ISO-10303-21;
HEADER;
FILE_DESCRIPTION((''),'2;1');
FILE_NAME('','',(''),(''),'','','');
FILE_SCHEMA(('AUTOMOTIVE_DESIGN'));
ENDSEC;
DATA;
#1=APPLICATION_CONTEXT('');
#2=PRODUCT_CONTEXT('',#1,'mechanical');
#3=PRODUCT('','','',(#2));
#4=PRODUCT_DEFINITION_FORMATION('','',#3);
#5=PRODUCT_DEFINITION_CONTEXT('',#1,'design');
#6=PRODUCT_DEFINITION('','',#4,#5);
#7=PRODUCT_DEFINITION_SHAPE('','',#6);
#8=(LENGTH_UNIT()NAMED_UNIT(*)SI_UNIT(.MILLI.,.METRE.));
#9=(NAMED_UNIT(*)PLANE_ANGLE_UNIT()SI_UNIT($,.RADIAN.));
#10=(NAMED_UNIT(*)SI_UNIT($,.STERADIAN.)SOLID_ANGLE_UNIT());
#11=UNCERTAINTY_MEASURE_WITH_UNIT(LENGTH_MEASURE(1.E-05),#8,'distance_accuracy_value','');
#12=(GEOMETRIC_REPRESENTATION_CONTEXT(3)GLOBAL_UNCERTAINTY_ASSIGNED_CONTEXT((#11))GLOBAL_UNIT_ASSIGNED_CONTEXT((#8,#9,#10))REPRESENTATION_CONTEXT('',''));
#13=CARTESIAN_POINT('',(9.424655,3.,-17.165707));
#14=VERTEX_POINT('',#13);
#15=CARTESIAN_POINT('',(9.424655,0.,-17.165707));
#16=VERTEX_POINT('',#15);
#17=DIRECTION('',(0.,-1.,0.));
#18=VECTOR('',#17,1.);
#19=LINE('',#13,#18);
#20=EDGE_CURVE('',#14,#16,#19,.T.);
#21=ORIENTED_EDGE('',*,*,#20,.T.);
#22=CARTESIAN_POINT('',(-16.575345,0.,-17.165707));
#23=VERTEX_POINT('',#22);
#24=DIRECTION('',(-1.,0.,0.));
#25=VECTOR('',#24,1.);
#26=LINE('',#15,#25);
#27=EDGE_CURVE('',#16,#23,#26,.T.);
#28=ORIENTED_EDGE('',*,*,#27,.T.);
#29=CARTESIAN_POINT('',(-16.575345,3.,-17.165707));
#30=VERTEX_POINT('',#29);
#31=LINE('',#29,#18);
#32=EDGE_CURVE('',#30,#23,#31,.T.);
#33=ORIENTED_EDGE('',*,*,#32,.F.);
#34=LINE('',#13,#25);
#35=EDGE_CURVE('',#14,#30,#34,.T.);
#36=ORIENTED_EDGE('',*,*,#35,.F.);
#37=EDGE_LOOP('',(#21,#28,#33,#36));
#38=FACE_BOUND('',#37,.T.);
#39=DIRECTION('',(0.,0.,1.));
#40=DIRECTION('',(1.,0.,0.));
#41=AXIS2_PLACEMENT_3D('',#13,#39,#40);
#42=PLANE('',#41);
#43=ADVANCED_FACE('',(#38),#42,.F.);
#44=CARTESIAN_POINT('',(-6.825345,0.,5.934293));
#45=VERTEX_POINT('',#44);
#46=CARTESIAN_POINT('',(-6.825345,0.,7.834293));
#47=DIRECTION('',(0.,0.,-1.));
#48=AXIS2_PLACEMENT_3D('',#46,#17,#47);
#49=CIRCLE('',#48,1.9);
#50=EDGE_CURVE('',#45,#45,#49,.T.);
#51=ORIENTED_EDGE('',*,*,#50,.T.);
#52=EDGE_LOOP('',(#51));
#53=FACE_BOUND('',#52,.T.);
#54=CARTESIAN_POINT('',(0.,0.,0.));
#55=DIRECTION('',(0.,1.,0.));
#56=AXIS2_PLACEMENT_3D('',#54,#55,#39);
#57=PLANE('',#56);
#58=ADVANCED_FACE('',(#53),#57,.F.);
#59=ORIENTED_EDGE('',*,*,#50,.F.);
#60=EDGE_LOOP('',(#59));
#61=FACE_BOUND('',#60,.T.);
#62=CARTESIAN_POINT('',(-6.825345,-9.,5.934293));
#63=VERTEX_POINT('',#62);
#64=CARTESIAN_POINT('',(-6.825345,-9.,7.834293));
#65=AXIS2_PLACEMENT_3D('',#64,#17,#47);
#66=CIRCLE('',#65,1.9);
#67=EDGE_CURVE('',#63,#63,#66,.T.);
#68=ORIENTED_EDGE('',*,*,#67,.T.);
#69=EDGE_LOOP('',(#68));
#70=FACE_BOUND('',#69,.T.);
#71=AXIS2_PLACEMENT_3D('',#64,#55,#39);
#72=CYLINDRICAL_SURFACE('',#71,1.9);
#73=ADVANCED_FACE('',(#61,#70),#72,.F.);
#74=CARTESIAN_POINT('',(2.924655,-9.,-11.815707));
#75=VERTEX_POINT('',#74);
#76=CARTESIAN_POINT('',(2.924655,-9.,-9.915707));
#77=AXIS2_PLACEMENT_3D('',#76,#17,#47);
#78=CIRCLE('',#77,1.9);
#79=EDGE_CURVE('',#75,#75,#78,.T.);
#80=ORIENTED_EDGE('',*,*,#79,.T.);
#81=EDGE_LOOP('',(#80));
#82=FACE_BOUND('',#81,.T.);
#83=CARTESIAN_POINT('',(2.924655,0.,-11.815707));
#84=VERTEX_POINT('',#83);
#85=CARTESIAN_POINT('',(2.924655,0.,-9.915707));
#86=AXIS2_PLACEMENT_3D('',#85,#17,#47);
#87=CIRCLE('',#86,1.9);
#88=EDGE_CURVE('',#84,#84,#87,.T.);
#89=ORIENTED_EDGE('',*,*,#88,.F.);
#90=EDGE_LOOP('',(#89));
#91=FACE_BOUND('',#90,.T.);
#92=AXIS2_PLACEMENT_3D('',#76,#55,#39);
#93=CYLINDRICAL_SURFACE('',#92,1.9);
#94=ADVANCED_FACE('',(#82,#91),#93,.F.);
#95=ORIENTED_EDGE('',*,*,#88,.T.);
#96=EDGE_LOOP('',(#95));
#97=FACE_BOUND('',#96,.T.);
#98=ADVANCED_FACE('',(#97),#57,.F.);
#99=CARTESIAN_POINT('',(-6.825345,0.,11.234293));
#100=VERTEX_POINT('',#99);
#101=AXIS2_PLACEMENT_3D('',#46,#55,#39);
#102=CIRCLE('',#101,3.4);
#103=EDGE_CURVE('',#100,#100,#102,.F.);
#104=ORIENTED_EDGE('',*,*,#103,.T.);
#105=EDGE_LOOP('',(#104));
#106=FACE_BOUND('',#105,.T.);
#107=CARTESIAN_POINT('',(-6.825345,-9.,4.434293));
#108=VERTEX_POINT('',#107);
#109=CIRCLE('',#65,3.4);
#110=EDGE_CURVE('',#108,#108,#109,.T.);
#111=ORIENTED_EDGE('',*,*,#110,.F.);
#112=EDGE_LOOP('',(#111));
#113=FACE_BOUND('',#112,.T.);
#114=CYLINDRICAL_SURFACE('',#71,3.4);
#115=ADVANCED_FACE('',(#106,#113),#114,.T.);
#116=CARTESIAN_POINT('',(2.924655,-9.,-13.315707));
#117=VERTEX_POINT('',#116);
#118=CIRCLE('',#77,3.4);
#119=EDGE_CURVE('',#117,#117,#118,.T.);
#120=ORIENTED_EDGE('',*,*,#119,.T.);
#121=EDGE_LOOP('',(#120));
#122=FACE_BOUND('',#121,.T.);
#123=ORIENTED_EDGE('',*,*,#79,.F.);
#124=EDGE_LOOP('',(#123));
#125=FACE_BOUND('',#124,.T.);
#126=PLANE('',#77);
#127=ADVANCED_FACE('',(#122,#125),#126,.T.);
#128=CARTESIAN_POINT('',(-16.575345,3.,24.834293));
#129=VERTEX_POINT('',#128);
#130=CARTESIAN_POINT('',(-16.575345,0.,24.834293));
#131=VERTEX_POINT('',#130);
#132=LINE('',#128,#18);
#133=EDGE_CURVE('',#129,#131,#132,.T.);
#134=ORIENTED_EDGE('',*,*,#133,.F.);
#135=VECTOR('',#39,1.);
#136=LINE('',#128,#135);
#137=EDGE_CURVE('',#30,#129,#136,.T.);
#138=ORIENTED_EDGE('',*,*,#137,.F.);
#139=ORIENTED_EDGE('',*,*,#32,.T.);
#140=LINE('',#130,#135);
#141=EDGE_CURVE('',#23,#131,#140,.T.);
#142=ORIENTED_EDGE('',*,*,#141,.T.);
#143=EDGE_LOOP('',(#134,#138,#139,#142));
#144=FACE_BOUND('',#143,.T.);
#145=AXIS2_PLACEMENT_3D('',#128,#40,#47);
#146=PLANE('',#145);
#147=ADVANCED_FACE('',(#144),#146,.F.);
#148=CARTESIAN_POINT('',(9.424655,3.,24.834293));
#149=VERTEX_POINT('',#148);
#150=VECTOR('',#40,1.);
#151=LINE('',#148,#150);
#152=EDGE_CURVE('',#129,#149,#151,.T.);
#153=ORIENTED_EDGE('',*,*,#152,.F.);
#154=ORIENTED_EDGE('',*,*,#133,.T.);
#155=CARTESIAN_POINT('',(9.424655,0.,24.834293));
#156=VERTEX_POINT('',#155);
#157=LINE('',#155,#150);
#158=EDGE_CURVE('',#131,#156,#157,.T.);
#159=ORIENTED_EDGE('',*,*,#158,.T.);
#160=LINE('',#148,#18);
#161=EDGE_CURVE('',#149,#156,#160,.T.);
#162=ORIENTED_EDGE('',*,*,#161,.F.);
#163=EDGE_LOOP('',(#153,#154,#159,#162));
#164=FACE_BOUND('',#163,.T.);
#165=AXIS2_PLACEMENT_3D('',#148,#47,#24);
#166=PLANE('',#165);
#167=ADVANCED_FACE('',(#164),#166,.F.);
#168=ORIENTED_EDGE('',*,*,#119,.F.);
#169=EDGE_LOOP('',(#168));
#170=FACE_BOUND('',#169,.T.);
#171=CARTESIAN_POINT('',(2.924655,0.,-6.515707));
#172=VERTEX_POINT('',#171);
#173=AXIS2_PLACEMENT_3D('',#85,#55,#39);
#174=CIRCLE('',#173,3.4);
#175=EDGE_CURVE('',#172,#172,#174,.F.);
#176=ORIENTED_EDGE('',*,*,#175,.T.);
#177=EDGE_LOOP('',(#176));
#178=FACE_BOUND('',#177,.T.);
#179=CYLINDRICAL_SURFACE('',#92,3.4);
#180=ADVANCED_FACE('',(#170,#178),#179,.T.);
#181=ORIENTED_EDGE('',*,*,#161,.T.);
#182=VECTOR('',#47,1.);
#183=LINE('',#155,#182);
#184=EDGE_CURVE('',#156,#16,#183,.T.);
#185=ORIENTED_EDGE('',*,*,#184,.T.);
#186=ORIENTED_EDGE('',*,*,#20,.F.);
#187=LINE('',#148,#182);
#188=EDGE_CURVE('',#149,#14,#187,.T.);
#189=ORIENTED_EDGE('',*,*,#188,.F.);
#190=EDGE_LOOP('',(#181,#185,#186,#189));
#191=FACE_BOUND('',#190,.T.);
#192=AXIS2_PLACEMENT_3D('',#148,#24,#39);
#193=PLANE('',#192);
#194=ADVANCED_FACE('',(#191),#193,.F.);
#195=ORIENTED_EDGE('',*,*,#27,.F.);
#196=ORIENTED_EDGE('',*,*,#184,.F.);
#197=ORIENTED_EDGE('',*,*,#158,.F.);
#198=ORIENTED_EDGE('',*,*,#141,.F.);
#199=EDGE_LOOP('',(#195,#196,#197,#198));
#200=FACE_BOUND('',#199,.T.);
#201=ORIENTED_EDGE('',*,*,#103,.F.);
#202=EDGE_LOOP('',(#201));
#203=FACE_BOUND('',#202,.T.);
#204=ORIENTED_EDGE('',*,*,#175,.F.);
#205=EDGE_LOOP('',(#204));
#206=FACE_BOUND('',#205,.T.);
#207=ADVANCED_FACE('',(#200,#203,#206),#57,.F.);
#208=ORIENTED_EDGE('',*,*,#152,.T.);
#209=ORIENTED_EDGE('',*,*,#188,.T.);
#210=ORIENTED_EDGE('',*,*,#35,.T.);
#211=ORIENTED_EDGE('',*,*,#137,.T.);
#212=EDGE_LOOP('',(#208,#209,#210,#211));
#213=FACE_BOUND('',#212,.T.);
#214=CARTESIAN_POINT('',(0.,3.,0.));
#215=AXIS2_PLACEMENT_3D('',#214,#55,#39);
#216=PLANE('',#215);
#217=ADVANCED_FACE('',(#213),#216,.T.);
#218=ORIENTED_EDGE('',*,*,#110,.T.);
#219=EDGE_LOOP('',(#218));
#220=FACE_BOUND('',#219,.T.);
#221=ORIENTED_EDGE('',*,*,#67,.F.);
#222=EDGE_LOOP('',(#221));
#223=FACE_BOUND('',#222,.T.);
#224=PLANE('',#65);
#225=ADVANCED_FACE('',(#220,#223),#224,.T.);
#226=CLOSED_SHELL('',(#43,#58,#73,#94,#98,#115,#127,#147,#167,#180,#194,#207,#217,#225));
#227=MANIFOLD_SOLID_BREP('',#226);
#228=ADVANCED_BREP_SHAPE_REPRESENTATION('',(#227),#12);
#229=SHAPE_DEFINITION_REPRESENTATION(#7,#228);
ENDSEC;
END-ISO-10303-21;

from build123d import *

# Parameters (mm, degrees)
SKETCH1_W           = 26
SKETCH1_H           = 42
BOSS_EXTRUDE1_DEPTH = 3
SKETCH4_R           = 3.4
SKETCH4_R_2         = 1.9
BOSS_EXTRUDE2_DEPTH = 9


with BuildPart() as part:
    # Sketch1 → Boss-Extrude1 (new body)
    with BuildSketch(Plane(origin=(0, 0, 0), x_dir=(1, 0, 0), z_dir=(0, 1, 0))):
        with Locations((-3.575345375, -3.834293295)):
            Rectangle(SKETCH1_W, SKETCH1_H)
    extrude(amount=BOSS_EXTRUDE1_DEPTH)

    # Sketch4 → Boss-Extrude2 (add)
    # profile 1 of 2: a face of its own
    with BuildSketch(Plane.XZ):
        with Locations(Location((-6.825345375, 7.834293295, 0), (0, 0, 90))):
            Circle(SKETCH4_R)
        with Locations(Location((-6.825345375, 7.834293295, 0), (0, 0, 270))):
            Circle(SKETCH4_R_2, mode=Mode.SUBTRACT)
    # profile 2 of 2: a face of its own
    with BuildSketch(Plane.XZ):
        with Locations(Location((2.924654625, -9.915706705, 0), (0, 0, 90))):
            Circle(SKETCH4_R)
        with Locations(Location((2.924654625, -9.915706705, 0), (0, 0, 270))):
            Circle(SKETCH4_R_2, mode=Mode.SUBTRACT)
    extrude(amount=BOSS_EXTRUDE2_DEPTH)


solid = part.part
